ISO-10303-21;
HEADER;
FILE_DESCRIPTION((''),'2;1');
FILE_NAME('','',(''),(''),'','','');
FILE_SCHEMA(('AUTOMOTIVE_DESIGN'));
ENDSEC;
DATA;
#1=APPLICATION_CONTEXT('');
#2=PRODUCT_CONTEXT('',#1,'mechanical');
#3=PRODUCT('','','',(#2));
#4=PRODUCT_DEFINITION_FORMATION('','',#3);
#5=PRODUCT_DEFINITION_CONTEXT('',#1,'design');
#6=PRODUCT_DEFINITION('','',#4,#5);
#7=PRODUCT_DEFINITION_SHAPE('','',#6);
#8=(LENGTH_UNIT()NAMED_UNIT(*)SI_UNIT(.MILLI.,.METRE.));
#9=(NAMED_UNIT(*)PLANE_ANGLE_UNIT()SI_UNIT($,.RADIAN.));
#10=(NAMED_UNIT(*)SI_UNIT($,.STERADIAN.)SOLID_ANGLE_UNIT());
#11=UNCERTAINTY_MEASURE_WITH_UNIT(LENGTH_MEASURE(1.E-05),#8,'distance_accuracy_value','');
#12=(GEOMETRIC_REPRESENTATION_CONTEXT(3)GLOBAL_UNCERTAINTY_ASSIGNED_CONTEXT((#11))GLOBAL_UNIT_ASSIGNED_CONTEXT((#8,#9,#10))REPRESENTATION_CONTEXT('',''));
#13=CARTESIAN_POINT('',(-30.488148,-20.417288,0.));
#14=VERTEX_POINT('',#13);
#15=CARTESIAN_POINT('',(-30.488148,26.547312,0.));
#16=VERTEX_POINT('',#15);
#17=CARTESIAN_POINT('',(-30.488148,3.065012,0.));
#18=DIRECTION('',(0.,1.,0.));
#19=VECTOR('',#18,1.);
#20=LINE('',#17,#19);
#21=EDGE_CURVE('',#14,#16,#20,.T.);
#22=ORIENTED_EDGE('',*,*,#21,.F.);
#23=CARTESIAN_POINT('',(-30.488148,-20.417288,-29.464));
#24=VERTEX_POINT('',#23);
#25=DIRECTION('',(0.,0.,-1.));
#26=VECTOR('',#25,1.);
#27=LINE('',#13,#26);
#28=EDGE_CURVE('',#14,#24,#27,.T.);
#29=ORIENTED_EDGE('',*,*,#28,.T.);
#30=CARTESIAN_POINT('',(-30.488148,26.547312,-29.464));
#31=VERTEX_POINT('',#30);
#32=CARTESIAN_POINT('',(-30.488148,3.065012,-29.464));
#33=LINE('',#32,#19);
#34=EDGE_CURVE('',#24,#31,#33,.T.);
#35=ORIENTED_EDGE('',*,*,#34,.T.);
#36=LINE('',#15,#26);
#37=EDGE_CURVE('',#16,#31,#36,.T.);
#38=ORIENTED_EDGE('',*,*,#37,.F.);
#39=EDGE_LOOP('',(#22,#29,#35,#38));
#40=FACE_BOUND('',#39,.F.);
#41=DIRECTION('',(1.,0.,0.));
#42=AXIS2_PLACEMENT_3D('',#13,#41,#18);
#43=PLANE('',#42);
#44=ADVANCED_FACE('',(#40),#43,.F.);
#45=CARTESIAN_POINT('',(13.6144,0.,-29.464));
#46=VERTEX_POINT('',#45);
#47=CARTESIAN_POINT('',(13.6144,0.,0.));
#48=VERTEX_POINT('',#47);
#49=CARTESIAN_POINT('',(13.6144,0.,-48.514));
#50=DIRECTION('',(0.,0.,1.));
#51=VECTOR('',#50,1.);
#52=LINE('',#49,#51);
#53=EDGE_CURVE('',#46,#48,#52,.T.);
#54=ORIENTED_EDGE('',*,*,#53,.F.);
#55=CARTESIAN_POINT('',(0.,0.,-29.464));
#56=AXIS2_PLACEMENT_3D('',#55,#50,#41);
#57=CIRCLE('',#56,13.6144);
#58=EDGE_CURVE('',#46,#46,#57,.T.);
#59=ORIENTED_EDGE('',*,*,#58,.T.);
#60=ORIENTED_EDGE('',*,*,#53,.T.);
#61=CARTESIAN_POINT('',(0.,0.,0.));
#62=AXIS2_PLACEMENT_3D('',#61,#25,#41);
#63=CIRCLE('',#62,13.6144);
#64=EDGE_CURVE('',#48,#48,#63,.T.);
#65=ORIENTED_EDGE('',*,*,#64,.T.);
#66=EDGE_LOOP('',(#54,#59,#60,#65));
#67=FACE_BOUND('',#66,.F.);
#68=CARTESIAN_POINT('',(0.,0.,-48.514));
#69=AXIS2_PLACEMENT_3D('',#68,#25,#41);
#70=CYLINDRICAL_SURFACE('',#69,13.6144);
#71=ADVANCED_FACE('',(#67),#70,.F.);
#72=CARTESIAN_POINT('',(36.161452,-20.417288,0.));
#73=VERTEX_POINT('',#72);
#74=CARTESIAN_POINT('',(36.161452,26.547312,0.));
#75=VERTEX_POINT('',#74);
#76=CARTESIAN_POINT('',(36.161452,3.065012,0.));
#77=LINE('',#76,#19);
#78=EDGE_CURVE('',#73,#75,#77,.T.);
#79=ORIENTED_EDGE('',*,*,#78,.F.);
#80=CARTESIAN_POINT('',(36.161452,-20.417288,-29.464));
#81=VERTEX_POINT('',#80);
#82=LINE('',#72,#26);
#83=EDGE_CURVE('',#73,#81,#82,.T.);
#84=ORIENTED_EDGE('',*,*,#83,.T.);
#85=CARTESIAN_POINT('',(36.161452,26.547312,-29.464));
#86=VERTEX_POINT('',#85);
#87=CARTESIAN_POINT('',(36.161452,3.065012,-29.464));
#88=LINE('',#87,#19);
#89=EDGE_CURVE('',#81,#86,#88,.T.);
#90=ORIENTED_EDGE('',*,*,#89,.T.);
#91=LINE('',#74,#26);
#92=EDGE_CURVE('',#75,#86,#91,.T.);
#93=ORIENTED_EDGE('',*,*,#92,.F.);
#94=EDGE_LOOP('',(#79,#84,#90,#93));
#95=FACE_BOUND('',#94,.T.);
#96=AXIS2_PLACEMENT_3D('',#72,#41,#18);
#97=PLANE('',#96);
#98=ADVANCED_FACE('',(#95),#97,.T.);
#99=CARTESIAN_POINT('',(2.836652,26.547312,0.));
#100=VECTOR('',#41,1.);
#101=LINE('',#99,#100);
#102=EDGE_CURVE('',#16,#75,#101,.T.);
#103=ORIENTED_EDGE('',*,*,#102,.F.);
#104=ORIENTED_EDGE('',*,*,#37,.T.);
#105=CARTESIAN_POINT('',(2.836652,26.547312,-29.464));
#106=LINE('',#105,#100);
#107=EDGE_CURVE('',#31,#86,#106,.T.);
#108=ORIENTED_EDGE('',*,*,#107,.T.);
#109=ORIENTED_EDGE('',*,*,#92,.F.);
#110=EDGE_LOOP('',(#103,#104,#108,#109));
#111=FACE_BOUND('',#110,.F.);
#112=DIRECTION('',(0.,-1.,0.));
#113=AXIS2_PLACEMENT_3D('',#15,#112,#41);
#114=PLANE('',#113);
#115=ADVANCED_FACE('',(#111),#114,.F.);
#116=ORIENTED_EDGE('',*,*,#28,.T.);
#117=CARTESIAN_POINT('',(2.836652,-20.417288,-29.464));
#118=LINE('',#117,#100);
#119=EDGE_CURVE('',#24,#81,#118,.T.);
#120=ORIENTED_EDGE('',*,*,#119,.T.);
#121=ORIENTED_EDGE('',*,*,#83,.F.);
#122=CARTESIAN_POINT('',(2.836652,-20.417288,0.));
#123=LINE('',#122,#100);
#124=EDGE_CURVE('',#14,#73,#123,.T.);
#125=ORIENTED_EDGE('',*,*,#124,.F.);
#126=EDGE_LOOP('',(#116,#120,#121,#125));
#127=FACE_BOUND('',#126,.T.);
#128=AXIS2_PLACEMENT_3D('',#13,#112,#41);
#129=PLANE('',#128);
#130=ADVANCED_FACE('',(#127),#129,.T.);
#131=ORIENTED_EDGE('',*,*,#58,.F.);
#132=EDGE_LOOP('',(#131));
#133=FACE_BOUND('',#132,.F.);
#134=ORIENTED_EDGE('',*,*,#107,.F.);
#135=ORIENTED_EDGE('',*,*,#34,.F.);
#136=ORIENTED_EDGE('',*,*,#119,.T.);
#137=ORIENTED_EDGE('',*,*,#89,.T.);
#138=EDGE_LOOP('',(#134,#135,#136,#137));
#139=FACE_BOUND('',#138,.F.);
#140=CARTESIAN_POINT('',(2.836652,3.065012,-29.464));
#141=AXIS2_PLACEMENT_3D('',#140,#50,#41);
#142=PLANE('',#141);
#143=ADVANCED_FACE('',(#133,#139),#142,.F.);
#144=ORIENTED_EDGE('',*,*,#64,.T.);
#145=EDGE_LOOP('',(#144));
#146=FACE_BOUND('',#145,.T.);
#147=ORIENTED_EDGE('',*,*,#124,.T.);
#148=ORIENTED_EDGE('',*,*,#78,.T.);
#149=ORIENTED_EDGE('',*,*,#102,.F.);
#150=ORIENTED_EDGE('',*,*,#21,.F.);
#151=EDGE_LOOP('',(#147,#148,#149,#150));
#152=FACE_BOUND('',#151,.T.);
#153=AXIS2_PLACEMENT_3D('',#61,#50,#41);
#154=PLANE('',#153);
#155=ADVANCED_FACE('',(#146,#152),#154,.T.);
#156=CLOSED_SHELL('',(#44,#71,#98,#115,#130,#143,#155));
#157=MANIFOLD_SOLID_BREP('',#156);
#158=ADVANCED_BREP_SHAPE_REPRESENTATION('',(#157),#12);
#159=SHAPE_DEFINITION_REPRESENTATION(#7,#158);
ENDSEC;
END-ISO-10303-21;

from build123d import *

# Parameters (mm, degrees)
F0_W      = 66.6496
F0_H      = 46.9646
F2_DEPTH  = 29.464
F1_R      = 13.6144
F3_DEPTH  = 48.514
F3_FACE_R = 13.6144
F4_DEPTH  = 84.836


with BuildPart() as f2:
    # F0 (on Top) → F2 (new body)
    with BuildSketch(Plane.XY):
        with Locations((2.836652, 3.065012)):
            Rectangle(F0_W, F0_H)
    extrude(amount=-F2_DEPTH)

    # F1 (on Top) → F3 (join)
    with BuildSketch(Plane.XY):
        Circle(F1_R)
    extrude(amount=-F3_DEPTH)

    # F3_face (on face) → F4 (cut)
    with BuildSketch(Plane(origin=(0, 0, -48.514), x_dir=(1, 0, 0), z_dir=(0, 0, -1))):
        Circle(F3_FACE_R)
    extrude(amount=-F4_DEPTH, mode=Mode.SUBTRACT)


solid = f2.part
